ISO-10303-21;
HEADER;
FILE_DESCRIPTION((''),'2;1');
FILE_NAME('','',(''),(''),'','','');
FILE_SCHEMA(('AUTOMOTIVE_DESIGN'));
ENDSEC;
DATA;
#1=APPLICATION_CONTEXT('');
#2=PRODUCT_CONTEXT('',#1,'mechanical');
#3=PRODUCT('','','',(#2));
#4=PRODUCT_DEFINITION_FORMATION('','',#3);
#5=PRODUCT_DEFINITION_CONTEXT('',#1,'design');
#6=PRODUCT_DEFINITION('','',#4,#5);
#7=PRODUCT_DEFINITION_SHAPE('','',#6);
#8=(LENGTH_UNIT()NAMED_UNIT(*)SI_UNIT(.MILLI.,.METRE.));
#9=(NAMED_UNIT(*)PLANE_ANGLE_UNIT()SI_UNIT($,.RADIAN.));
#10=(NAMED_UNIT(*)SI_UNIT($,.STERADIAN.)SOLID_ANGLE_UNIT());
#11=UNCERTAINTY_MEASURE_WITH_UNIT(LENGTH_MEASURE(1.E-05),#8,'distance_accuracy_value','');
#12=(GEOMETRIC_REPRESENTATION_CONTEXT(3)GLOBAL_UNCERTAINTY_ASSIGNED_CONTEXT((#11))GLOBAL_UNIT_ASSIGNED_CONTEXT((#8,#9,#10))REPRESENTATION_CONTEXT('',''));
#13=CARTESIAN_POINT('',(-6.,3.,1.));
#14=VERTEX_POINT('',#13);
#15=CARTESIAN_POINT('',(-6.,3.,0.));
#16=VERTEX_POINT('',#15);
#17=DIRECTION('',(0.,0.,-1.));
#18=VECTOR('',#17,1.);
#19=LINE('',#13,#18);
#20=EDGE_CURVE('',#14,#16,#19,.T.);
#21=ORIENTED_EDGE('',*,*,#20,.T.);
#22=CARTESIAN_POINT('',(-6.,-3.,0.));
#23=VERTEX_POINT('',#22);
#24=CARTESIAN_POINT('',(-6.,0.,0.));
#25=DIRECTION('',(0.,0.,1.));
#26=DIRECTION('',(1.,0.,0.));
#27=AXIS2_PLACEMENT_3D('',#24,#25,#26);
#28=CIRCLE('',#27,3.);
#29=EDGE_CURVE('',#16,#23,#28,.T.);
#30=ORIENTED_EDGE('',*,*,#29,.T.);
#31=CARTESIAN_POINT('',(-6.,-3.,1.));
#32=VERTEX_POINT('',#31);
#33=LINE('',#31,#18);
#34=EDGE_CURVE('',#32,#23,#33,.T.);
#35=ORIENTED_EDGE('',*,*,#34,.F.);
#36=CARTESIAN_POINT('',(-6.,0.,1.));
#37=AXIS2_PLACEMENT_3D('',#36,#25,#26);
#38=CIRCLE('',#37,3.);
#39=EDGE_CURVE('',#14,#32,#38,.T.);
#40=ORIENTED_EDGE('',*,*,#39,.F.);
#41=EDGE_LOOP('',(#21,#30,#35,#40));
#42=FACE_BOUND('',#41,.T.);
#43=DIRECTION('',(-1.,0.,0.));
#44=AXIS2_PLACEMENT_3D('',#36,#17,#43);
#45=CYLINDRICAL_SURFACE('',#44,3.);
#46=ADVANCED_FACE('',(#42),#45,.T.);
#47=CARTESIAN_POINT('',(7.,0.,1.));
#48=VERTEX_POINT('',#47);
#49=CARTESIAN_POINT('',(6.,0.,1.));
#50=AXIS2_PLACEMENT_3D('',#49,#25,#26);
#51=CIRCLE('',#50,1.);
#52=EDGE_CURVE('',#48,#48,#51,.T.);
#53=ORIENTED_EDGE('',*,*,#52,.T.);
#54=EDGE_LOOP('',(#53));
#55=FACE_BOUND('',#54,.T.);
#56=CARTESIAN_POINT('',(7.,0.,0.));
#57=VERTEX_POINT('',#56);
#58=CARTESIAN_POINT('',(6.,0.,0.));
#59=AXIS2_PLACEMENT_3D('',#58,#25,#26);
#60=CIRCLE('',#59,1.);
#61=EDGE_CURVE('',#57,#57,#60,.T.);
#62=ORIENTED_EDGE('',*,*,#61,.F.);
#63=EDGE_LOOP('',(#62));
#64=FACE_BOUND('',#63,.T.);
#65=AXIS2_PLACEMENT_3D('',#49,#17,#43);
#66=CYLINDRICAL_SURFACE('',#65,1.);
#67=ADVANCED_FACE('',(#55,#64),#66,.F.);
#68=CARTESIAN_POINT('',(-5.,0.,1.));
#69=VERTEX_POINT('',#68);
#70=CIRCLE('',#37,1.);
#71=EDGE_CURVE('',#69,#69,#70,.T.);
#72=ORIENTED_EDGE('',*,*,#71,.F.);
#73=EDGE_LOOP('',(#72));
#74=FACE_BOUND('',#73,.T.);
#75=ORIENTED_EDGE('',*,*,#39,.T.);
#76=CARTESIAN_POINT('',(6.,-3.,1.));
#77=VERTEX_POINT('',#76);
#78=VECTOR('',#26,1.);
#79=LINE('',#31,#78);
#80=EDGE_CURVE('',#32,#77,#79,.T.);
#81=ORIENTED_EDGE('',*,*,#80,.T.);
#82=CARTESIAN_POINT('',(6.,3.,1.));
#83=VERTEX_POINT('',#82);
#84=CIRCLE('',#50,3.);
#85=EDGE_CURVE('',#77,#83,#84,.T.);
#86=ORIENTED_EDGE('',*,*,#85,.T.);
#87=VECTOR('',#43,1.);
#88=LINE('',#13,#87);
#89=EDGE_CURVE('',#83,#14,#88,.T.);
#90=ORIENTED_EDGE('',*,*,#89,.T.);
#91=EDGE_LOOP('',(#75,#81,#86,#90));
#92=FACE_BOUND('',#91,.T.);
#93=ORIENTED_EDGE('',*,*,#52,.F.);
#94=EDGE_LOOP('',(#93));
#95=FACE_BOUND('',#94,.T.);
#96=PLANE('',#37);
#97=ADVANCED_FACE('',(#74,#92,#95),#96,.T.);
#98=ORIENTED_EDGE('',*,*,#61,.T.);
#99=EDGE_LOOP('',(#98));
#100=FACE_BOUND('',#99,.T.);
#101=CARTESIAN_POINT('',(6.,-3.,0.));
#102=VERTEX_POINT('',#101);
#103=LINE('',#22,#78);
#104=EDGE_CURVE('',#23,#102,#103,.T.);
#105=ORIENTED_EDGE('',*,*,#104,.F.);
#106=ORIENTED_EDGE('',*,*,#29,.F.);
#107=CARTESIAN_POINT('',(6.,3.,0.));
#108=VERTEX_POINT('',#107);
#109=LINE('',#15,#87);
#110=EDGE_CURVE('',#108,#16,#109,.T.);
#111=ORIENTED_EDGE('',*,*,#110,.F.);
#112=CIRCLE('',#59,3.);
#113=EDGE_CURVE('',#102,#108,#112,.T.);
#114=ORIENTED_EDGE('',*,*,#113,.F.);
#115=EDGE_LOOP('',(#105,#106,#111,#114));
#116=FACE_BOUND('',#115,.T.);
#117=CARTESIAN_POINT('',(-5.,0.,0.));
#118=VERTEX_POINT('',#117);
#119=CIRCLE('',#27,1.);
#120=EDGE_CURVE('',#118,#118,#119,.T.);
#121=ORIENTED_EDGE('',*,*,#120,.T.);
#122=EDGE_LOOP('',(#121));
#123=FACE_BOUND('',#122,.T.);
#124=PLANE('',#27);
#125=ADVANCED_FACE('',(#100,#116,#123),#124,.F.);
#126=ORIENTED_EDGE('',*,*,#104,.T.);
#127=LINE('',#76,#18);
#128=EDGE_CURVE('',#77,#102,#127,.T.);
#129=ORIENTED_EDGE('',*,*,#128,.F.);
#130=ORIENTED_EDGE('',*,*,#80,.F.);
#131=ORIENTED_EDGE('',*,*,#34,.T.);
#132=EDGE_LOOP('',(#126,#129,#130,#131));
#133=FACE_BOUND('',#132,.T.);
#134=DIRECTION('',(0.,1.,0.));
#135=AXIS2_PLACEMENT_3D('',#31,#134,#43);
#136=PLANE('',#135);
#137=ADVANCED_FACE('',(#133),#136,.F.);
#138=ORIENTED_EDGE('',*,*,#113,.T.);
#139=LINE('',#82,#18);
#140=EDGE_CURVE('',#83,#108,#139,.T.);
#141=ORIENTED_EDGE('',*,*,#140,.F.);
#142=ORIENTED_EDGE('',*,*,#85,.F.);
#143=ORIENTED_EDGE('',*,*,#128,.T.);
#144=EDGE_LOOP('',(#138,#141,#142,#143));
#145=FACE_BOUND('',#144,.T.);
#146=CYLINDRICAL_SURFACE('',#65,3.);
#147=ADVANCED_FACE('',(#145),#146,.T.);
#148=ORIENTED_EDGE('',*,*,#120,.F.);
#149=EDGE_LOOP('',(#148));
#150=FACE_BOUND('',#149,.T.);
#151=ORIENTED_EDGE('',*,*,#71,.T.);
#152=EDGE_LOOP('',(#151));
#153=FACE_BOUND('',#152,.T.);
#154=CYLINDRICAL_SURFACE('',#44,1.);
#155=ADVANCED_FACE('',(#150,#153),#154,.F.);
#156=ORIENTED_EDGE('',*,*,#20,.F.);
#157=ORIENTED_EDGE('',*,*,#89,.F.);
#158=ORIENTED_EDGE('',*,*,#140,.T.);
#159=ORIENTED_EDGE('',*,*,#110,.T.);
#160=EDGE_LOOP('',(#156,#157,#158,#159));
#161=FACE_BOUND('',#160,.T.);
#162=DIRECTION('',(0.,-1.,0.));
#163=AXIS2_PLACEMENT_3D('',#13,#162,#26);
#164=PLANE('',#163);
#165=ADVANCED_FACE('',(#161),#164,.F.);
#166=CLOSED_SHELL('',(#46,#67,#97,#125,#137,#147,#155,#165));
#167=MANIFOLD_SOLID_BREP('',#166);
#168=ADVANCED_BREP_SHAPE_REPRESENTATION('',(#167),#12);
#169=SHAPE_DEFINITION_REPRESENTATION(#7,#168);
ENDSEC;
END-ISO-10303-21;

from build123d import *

# Parameters (mm, degrees)
CROQUIS1_R              = 1
SALIENTE_EXTRUIR1_DEPTH = 1


with BuildPart() as part:
    # Croquis1 → Saliente-Extruir1 (new body)
    with BuildSketch(Plane.XY):
        with BuildLine():
            Line((-6, 3), (6, 3))
            ThreePointArc((6, 3), (9, 0), (6, -3))
            Line((6, -3), (-6, -3))
            ThreePointArc((-6, -3), (-9, 0), (-6, 3))
        make_face()
        with Locations((6, 0)):
            Circle(CROQUIS1_R, mode=Mode.SUBTRACT)
        with Locations((-6, 0)):
            Circle(CROQUIS1_R, mode=Mode.SUBTRACT)
    extrude(amount=SALIENTE_EXTRUIR1_DEPTH)


solid = part.part
